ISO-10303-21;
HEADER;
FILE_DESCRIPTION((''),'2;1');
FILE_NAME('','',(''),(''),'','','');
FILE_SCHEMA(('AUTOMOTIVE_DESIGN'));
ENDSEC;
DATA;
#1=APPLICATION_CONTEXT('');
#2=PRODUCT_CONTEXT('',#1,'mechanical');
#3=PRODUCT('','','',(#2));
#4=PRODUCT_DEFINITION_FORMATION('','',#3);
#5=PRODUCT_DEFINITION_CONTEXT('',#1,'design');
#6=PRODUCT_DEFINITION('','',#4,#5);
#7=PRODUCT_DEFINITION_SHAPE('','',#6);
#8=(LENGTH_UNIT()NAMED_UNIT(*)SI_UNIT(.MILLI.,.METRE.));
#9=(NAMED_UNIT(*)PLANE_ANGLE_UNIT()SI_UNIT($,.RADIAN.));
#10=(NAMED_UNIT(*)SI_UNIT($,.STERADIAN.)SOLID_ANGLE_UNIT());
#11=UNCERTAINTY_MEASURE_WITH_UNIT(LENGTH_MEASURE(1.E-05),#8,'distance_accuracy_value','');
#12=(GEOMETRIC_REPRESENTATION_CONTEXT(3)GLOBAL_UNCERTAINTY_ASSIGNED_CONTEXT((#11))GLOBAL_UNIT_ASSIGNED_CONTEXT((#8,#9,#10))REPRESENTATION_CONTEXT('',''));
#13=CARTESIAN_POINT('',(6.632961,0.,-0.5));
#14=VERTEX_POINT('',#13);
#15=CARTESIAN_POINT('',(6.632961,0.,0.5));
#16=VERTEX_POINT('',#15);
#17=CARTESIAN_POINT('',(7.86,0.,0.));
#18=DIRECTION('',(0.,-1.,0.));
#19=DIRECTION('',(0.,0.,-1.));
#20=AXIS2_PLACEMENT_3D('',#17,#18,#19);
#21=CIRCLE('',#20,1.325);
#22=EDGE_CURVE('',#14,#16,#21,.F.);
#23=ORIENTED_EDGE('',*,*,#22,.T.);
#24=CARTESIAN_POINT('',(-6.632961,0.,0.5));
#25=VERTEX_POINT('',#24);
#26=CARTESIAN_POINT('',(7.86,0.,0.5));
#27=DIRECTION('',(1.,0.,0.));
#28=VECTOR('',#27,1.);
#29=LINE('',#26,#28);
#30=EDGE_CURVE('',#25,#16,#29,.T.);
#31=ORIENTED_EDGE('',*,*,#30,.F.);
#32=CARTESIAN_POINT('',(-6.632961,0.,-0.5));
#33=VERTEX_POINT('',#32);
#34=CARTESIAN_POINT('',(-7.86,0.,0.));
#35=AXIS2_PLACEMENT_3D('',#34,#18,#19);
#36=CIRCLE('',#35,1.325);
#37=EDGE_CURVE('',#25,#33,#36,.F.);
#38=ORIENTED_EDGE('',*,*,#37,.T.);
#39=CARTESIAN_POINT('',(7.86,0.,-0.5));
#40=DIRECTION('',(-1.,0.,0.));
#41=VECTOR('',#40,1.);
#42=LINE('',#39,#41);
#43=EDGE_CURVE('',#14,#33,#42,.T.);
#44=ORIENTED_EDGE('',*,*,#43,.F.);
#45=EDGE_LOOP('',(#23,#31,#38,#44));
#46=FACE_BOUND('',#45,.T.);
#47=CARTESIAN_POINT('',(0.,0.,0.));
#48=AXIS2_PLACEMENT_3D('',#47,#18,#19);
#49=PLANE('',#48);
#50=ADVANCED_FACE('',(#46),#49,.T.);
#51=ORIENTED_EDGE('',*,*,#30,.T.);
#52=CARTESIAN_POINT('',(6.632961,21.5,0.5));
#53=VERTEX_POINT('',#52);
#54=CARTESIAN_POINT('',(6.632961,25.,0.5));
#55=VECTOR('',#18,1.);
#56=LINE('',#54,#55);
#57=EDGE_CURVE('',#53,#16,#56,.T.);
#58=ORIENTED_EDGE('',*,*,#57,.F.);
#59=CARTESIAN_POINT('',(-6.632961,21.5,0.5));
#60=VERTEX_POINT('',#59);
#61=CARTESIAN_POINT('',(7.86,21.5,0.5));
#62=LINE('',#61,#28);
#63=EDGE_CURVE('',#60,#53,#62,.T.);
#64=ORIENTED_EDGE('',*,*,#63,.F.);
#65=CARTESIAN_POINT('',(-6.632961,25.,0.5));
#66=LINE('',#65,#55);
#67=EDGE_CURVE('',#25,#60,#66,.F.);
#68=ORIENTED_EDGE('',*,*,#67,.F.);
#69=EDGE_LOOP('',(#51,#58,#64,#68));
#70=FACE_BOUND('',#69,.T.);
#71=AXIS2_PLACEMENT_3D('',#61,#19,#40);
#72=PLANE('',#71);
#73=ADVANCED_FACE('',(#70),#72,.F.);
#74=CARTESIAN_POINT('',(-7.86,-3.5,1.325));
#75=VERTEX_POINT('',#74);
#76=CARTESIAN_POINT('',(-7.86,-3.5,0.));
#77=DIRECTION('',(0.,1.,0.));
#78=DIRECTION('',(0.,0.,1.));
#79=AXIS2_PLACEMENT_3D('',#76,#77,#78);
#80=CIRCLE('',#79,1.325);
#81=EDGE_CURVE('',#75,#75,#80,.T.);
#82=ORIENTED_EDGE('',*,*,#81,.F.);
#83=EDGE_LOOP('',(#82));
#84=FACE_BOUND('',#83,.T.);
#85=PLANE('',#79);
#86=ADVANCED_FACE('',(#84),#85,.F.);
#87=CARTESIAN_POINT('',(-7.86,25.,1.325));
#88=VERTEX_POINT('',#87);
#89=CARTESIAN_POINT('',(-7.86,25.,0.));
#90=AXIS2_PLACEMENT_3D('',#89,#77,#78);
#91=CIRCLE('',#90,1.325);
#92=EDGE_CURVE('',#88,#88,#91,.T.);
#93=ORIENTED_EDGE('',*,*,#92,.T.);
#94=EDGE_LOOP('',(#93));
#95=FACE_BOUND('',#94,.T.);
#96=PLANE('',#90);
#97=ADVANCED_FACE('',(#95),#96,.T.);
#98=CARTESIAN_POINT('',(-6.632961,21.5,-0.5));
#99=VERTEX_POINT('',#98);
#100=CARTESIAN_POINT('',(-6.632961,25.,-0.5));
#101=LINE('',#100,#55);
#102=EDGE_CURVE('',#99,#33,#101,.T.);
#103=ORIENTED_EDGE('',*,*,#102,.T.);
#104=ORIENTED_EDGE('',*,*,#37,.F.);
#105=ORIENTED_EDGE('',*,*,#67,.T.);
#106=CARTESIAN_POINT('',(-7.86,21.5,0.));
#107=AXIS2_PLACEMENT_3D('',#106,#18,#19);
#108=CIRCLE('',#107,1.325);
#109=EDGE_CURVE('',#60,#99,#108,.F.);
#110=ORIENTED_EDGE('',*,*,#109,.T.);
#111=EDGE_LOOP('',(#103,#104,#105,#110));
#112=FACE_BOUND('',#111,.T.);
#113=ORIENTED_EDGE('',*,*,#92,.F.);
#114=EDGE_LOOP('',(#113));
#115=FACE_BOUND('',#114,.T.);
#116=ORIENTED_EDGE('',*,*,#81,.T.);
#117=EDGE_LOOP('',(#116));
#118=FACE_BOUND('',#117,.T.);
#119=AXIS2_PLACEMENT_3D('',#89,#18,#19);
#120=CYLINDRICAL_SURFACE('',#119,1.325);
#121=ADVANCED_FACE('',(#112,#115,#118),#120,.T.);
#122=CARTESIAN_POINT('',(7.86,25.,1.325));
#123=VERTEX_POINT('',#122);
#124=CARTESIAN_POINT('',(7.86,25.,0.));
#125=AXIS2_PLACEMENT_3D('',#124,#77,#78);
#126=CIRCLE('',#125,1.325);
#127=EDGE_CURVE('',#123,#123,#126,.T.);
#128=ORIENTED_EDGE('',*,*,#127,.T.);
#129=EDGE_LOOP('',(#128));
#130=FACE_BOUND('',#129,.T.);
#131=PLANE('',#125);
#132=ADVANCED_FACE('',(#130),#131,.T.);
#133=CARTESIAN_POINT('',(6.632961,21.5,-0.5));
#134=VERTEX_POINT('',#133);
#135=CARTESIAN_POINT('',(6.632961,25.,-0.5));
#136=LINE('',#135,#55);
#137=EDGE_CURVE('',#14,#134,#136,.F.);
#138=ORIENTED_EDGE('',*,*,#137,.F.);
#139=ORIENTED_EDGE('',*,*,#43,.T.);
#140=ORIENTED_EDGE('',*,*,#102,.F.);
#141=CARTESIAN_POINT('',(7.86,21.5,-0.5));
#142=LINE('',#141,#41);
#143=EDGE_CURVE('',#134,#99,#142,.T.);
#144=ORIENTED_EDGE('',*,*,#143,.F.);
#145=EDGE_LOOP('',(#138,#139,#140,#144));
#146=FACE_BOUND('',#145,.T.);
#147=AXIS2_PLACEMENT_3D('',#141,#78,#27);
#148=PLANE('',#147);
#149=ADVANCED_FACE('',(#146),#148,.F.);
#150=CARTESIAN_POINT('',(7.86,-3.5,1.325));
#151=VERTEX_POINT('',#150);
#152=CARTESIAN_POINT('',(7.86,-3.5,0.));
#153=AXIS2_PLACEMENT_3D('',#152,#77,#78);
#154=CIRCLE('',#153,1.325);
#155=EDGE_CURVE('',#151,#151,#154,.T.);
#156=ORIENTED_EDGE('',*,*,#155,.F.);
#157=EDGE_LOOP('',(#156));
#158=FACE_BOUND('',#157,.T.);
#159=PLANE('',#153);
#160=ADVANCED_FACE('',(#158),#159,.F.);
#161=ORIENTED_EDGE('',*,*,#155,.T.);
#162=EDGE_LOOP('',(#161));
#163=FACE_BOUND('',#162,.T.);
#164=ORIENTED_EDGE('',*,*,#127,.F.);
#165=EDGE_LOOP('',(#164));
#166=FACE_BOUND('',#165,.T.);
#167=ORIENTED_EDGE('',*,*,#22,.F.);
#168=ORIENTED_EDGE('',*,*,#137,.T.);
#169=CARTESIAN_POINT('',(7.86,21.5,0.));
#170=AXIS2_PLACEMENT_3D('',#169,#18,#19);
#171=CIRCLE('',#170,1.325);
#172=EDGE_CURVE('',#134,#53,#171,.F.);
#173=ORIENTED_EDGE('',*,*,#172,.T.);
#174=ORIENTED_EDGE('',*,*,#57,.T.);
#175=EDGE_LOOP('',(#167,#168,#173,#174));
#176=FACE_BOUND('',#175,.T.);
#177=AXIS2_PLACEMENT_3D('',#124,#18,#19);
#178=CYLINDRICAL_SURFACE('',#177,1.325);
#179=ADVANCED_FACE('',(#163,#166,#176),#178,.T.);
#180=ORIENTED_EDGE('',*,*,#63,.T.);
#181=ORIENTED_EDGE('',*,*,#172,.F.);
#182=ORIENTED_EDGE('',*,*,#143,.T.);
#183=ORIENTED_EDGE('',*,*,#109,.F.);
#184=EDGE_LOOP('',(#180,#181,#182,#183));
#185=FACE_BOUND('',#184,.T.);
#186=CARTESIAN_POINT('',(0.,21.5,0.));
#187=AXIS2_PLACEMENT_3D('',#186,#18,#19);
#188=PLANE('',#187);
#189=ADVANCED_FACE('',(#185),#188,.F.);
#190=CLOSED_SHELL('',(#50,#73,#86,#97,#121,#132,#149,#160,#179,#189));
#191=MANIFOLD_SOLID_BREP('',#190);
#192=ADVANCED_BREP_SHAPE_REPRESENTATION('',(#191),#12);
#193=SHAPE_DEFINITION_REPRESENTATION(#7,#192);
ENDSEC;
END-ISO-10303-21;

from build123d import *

# Parameters (mm, degrees)
SKETCH1_W           = 15.72
SKETCH1_H           = 1
BOSS_EXTRUDE1_DEPTH = 21.5
SKETCH2_R           = 1.325
BOSS_EXTRUDE2_DEPTH = 14.25


with BuildPart() as part:
    # Sketch1 → Boss-Extrude1 (new body)
    with BuildSketch(Plane(origin=(0, 0, 0), x_dir=(1, 0, 0), z_dir=(0, 1, 0))):
        Rectangle(SKETCH1_W, SKETCH1_H)
    extrude(amount=BOSS_EXTRUDE1_DEPTH)

    # Sketch2 → Boss-Extrude2 (add, symmetric)
    with BuildSketch(Plane(origin=(0, 10.75, 0), x_dir=(1, 0, 0), z_dir=(0, 1, 0))):
        with Locations(Location((-7.86, 0, 0), (0, 0, 270))):
            Circle(SKETCH2_R)
        with Locations(Location((7.86, 0, 0), (0, 0, 270))):
            Circle(SKETCH2_R)
    extrude(amount=BOSS_EXTRUDE2_DEPTH, both=True)


solid = part.part
